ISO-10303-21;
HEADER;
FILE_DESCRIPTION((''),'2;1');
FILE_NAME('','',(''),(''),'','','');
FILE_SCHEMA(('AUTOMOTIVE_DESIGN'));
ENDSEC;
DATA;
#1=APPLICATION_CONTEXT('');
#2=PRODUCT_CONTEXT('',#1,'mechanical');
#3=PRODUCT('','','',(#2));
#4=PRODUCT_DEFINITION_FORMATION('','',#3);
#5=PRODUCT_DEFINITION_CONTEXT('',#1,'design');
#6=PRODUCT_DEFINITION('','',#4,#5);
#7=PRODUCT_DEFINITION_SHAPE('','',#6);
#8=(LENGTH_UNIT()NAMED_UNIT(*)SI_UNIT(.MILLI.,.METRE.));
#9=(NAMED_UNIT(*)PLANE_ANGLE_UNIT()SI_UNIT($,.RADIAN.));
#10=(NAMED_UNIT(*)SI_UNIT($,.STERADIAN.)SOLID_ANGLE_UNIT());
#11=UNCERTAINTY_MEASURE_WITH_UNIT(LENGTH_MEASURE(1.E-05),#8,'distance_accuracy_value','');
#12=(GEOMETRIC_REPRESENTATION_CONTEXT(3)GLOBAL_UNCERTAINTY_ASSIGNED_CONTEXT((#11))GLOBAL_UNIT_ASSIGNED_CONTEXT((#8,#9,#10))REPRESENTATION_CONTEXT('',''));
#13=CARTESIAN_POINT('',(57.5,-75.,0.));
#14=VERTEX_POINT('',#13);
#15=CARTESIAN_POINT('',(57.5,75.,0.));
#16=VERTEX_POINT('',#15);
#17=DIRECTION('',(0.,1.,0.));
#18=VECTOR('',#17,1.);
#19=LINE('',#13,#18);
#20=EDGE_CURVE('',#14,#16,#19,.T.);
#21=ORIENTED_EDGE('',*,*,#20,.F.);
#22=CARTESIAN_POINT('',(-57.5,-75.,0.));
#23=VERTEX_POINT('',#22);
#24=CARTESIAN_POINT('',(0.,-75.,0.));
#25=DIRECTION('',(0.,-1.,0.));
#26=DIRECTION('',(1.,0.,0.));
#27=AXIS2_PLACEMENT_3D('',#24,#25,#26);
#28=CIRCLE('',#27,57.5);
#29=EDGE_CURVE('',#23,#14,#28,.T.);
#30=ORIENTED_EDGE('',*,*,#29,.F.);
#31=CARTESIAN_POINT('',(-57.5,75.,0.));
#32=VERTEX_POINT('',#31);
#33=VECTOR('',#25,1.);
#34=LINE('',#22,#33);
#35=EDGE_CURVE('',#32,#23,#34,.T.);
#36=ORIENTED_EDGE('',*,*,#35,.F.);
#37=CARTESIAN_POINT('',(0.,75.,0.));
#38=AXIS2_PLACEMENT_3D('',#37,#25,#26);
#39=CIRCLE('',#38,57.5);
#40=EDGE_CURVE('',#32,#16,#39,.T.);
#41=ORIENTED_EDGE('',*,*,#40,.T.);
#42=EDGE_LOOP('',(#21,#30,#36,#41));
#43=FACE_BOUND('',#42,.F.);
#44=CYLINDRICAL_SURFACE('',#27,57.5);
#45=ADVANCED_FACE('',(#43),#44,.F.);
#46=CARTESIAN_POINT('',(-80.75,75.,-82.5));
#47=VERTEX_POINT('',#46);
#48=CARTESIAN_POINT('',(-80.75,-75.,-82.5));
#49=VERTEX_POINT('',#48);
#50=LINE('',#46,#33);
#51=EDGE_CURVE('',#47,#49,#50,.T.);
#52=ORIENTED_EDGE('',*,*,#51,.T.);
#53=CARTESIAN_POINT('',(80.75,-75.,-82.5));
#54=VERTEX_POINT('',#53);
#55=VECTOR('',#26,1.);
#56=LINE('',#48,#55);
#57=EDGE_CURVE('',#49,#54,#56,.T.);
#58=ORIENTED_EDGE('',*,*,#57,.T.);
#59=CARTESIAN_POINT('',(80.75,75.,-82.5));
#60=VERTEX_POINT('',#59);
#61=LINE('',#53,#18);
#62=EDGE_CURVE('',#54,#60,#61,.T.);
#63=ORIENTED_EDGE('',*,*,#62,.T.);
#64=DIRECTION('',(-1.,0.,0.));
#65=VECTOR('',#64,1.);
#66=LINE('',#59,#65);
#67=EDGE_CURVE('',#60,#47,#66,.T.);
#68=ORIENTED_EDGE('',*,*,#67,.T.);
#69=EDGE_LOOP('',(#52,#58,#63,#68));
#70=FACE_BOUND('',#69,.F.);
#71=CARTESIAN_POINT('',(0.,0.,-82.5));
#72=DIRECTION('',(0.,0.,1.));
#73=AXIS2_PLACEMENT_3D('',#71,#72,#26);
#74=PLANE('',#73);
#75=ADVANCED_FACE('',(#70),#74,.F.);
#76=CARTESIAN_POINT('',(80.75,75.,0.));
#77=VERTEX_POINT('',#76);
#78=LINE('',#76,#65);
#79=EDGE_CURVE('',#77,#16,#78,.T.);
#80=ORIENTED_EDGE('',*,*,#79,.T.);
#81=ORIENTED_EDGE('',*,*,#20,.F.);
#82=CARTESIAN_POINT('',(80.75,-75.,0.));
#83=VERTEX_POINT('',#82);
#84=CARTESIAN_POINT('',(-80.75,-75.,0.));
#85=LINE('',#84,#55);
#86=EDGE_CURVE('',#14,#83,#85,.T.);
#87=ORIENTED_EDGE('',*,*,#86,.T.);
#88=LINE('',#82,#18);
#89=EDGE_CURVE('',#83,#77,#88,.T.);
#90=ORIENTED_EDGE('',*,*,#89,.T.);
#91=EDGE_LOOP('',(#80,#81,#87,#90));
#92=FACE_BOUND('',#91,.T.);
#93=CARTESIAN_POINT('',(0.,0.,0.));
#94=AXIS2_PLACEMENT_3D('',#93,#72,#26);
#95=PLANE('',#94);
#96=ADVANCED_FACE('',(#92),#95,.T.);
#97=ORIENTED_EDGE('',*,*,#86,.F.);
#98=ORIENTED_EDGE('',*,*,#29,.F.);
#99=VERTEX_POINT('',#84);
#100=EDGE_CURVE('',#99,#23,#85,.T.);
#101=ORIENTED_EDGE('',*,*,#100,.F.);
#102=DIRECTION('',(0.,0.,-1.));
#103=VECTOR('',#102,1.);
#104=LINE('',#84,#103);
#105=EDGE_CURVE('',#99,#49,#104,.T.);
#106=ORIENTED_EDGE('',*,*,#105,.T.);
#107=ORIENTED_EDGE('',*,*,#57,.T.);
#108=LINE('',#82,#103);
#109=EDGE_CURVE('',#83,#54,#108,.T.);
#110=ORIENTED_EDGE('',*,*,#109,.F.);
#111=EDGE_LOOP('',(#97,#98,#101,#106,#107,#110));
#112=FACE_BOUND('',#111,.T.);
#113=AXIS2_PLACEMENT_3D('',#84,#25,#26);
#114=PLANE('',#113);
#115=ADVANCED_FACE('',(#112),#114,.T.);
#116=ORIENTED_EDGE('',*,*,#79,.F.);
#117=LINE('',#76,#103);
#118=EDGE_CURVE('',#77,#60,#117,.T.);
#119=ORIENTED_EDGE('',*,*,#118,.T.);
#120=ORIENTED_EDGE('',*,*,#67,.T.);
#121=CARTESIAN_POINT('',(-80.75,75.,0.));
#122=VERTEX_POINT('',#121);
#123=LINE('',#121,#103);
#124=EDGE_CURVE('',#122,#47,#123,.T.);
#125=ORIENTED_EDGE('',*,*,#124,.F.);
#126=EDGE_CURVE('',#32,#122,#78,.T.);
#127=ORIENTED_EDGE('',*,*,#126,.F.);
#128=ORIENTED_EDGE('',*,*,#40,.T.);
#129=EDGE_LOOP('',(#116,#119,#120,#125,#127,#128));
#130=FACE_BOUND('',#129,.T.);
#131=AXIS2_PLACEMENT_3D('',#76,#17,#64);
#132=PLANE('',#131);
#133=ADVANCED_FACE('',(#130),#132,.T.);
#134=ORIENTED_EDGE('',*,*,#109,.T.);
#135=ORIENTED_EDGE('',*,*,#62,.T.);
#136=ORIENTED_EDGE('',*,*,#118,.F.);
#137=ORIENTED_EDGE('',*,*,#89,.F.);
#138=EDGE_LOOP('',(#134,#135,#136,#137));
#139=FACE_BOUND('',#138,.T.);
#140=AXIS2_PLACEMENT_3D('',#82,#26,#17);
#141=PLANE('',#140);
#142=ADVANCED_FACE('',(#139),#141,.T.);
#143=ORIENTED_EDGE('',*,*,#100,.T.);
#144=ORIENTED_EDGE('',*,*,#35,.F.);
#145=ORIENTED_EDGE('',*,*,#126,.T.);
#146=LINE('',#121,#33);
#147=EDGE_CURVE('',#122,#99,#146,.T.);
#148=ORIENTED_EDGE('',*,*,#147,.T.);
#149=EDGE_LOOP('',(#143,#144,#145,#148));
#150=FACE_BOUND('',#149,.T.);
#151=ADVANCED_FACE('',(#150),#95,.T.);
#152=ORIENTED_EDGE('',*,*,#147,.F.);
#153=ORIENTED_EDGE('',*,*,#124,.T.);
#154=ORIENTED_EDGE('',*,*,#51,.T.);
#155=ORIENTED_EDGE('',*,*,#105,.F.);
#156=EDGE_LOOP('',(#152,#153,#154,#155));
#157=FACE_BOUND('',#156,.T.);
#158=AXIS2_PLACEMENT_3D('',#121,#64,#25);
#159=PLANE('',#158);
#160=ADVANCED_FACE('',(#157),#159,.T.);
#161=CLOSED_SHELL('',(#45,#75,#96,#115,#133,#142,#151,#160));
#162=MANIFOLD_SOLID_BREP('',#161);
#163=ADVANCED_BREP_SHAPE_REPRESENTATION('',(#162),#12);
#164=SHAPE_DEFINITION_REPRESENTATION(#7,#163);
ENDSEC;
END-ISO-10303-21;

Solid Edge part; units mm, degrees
sketch "Sketch1" plane through (0, 0, 0) normal (0, 0, 1) x (1, 0, 0)
  line L0 (-80.75, -75) -> (80.75, -75)
  line L1 (80.75, -75) -> (80.75, 75)
  line L2 (80.75, 75) -> (-80.75, 75)
  line L3 (-80.75, 75) -> (-80.75, -75)
extrude "Protrusion1" add sketch "Sketch1" against normal blind 82.5
sketch "Sketch2" plane through (0, -75, -41.25) normal (0, -1, 0) x (1, 0, 0)
  circle A0 centre (0, 41.25) radius 57.5
extrude "v_4" cut sketch "Sketch2" against normal blind 150
